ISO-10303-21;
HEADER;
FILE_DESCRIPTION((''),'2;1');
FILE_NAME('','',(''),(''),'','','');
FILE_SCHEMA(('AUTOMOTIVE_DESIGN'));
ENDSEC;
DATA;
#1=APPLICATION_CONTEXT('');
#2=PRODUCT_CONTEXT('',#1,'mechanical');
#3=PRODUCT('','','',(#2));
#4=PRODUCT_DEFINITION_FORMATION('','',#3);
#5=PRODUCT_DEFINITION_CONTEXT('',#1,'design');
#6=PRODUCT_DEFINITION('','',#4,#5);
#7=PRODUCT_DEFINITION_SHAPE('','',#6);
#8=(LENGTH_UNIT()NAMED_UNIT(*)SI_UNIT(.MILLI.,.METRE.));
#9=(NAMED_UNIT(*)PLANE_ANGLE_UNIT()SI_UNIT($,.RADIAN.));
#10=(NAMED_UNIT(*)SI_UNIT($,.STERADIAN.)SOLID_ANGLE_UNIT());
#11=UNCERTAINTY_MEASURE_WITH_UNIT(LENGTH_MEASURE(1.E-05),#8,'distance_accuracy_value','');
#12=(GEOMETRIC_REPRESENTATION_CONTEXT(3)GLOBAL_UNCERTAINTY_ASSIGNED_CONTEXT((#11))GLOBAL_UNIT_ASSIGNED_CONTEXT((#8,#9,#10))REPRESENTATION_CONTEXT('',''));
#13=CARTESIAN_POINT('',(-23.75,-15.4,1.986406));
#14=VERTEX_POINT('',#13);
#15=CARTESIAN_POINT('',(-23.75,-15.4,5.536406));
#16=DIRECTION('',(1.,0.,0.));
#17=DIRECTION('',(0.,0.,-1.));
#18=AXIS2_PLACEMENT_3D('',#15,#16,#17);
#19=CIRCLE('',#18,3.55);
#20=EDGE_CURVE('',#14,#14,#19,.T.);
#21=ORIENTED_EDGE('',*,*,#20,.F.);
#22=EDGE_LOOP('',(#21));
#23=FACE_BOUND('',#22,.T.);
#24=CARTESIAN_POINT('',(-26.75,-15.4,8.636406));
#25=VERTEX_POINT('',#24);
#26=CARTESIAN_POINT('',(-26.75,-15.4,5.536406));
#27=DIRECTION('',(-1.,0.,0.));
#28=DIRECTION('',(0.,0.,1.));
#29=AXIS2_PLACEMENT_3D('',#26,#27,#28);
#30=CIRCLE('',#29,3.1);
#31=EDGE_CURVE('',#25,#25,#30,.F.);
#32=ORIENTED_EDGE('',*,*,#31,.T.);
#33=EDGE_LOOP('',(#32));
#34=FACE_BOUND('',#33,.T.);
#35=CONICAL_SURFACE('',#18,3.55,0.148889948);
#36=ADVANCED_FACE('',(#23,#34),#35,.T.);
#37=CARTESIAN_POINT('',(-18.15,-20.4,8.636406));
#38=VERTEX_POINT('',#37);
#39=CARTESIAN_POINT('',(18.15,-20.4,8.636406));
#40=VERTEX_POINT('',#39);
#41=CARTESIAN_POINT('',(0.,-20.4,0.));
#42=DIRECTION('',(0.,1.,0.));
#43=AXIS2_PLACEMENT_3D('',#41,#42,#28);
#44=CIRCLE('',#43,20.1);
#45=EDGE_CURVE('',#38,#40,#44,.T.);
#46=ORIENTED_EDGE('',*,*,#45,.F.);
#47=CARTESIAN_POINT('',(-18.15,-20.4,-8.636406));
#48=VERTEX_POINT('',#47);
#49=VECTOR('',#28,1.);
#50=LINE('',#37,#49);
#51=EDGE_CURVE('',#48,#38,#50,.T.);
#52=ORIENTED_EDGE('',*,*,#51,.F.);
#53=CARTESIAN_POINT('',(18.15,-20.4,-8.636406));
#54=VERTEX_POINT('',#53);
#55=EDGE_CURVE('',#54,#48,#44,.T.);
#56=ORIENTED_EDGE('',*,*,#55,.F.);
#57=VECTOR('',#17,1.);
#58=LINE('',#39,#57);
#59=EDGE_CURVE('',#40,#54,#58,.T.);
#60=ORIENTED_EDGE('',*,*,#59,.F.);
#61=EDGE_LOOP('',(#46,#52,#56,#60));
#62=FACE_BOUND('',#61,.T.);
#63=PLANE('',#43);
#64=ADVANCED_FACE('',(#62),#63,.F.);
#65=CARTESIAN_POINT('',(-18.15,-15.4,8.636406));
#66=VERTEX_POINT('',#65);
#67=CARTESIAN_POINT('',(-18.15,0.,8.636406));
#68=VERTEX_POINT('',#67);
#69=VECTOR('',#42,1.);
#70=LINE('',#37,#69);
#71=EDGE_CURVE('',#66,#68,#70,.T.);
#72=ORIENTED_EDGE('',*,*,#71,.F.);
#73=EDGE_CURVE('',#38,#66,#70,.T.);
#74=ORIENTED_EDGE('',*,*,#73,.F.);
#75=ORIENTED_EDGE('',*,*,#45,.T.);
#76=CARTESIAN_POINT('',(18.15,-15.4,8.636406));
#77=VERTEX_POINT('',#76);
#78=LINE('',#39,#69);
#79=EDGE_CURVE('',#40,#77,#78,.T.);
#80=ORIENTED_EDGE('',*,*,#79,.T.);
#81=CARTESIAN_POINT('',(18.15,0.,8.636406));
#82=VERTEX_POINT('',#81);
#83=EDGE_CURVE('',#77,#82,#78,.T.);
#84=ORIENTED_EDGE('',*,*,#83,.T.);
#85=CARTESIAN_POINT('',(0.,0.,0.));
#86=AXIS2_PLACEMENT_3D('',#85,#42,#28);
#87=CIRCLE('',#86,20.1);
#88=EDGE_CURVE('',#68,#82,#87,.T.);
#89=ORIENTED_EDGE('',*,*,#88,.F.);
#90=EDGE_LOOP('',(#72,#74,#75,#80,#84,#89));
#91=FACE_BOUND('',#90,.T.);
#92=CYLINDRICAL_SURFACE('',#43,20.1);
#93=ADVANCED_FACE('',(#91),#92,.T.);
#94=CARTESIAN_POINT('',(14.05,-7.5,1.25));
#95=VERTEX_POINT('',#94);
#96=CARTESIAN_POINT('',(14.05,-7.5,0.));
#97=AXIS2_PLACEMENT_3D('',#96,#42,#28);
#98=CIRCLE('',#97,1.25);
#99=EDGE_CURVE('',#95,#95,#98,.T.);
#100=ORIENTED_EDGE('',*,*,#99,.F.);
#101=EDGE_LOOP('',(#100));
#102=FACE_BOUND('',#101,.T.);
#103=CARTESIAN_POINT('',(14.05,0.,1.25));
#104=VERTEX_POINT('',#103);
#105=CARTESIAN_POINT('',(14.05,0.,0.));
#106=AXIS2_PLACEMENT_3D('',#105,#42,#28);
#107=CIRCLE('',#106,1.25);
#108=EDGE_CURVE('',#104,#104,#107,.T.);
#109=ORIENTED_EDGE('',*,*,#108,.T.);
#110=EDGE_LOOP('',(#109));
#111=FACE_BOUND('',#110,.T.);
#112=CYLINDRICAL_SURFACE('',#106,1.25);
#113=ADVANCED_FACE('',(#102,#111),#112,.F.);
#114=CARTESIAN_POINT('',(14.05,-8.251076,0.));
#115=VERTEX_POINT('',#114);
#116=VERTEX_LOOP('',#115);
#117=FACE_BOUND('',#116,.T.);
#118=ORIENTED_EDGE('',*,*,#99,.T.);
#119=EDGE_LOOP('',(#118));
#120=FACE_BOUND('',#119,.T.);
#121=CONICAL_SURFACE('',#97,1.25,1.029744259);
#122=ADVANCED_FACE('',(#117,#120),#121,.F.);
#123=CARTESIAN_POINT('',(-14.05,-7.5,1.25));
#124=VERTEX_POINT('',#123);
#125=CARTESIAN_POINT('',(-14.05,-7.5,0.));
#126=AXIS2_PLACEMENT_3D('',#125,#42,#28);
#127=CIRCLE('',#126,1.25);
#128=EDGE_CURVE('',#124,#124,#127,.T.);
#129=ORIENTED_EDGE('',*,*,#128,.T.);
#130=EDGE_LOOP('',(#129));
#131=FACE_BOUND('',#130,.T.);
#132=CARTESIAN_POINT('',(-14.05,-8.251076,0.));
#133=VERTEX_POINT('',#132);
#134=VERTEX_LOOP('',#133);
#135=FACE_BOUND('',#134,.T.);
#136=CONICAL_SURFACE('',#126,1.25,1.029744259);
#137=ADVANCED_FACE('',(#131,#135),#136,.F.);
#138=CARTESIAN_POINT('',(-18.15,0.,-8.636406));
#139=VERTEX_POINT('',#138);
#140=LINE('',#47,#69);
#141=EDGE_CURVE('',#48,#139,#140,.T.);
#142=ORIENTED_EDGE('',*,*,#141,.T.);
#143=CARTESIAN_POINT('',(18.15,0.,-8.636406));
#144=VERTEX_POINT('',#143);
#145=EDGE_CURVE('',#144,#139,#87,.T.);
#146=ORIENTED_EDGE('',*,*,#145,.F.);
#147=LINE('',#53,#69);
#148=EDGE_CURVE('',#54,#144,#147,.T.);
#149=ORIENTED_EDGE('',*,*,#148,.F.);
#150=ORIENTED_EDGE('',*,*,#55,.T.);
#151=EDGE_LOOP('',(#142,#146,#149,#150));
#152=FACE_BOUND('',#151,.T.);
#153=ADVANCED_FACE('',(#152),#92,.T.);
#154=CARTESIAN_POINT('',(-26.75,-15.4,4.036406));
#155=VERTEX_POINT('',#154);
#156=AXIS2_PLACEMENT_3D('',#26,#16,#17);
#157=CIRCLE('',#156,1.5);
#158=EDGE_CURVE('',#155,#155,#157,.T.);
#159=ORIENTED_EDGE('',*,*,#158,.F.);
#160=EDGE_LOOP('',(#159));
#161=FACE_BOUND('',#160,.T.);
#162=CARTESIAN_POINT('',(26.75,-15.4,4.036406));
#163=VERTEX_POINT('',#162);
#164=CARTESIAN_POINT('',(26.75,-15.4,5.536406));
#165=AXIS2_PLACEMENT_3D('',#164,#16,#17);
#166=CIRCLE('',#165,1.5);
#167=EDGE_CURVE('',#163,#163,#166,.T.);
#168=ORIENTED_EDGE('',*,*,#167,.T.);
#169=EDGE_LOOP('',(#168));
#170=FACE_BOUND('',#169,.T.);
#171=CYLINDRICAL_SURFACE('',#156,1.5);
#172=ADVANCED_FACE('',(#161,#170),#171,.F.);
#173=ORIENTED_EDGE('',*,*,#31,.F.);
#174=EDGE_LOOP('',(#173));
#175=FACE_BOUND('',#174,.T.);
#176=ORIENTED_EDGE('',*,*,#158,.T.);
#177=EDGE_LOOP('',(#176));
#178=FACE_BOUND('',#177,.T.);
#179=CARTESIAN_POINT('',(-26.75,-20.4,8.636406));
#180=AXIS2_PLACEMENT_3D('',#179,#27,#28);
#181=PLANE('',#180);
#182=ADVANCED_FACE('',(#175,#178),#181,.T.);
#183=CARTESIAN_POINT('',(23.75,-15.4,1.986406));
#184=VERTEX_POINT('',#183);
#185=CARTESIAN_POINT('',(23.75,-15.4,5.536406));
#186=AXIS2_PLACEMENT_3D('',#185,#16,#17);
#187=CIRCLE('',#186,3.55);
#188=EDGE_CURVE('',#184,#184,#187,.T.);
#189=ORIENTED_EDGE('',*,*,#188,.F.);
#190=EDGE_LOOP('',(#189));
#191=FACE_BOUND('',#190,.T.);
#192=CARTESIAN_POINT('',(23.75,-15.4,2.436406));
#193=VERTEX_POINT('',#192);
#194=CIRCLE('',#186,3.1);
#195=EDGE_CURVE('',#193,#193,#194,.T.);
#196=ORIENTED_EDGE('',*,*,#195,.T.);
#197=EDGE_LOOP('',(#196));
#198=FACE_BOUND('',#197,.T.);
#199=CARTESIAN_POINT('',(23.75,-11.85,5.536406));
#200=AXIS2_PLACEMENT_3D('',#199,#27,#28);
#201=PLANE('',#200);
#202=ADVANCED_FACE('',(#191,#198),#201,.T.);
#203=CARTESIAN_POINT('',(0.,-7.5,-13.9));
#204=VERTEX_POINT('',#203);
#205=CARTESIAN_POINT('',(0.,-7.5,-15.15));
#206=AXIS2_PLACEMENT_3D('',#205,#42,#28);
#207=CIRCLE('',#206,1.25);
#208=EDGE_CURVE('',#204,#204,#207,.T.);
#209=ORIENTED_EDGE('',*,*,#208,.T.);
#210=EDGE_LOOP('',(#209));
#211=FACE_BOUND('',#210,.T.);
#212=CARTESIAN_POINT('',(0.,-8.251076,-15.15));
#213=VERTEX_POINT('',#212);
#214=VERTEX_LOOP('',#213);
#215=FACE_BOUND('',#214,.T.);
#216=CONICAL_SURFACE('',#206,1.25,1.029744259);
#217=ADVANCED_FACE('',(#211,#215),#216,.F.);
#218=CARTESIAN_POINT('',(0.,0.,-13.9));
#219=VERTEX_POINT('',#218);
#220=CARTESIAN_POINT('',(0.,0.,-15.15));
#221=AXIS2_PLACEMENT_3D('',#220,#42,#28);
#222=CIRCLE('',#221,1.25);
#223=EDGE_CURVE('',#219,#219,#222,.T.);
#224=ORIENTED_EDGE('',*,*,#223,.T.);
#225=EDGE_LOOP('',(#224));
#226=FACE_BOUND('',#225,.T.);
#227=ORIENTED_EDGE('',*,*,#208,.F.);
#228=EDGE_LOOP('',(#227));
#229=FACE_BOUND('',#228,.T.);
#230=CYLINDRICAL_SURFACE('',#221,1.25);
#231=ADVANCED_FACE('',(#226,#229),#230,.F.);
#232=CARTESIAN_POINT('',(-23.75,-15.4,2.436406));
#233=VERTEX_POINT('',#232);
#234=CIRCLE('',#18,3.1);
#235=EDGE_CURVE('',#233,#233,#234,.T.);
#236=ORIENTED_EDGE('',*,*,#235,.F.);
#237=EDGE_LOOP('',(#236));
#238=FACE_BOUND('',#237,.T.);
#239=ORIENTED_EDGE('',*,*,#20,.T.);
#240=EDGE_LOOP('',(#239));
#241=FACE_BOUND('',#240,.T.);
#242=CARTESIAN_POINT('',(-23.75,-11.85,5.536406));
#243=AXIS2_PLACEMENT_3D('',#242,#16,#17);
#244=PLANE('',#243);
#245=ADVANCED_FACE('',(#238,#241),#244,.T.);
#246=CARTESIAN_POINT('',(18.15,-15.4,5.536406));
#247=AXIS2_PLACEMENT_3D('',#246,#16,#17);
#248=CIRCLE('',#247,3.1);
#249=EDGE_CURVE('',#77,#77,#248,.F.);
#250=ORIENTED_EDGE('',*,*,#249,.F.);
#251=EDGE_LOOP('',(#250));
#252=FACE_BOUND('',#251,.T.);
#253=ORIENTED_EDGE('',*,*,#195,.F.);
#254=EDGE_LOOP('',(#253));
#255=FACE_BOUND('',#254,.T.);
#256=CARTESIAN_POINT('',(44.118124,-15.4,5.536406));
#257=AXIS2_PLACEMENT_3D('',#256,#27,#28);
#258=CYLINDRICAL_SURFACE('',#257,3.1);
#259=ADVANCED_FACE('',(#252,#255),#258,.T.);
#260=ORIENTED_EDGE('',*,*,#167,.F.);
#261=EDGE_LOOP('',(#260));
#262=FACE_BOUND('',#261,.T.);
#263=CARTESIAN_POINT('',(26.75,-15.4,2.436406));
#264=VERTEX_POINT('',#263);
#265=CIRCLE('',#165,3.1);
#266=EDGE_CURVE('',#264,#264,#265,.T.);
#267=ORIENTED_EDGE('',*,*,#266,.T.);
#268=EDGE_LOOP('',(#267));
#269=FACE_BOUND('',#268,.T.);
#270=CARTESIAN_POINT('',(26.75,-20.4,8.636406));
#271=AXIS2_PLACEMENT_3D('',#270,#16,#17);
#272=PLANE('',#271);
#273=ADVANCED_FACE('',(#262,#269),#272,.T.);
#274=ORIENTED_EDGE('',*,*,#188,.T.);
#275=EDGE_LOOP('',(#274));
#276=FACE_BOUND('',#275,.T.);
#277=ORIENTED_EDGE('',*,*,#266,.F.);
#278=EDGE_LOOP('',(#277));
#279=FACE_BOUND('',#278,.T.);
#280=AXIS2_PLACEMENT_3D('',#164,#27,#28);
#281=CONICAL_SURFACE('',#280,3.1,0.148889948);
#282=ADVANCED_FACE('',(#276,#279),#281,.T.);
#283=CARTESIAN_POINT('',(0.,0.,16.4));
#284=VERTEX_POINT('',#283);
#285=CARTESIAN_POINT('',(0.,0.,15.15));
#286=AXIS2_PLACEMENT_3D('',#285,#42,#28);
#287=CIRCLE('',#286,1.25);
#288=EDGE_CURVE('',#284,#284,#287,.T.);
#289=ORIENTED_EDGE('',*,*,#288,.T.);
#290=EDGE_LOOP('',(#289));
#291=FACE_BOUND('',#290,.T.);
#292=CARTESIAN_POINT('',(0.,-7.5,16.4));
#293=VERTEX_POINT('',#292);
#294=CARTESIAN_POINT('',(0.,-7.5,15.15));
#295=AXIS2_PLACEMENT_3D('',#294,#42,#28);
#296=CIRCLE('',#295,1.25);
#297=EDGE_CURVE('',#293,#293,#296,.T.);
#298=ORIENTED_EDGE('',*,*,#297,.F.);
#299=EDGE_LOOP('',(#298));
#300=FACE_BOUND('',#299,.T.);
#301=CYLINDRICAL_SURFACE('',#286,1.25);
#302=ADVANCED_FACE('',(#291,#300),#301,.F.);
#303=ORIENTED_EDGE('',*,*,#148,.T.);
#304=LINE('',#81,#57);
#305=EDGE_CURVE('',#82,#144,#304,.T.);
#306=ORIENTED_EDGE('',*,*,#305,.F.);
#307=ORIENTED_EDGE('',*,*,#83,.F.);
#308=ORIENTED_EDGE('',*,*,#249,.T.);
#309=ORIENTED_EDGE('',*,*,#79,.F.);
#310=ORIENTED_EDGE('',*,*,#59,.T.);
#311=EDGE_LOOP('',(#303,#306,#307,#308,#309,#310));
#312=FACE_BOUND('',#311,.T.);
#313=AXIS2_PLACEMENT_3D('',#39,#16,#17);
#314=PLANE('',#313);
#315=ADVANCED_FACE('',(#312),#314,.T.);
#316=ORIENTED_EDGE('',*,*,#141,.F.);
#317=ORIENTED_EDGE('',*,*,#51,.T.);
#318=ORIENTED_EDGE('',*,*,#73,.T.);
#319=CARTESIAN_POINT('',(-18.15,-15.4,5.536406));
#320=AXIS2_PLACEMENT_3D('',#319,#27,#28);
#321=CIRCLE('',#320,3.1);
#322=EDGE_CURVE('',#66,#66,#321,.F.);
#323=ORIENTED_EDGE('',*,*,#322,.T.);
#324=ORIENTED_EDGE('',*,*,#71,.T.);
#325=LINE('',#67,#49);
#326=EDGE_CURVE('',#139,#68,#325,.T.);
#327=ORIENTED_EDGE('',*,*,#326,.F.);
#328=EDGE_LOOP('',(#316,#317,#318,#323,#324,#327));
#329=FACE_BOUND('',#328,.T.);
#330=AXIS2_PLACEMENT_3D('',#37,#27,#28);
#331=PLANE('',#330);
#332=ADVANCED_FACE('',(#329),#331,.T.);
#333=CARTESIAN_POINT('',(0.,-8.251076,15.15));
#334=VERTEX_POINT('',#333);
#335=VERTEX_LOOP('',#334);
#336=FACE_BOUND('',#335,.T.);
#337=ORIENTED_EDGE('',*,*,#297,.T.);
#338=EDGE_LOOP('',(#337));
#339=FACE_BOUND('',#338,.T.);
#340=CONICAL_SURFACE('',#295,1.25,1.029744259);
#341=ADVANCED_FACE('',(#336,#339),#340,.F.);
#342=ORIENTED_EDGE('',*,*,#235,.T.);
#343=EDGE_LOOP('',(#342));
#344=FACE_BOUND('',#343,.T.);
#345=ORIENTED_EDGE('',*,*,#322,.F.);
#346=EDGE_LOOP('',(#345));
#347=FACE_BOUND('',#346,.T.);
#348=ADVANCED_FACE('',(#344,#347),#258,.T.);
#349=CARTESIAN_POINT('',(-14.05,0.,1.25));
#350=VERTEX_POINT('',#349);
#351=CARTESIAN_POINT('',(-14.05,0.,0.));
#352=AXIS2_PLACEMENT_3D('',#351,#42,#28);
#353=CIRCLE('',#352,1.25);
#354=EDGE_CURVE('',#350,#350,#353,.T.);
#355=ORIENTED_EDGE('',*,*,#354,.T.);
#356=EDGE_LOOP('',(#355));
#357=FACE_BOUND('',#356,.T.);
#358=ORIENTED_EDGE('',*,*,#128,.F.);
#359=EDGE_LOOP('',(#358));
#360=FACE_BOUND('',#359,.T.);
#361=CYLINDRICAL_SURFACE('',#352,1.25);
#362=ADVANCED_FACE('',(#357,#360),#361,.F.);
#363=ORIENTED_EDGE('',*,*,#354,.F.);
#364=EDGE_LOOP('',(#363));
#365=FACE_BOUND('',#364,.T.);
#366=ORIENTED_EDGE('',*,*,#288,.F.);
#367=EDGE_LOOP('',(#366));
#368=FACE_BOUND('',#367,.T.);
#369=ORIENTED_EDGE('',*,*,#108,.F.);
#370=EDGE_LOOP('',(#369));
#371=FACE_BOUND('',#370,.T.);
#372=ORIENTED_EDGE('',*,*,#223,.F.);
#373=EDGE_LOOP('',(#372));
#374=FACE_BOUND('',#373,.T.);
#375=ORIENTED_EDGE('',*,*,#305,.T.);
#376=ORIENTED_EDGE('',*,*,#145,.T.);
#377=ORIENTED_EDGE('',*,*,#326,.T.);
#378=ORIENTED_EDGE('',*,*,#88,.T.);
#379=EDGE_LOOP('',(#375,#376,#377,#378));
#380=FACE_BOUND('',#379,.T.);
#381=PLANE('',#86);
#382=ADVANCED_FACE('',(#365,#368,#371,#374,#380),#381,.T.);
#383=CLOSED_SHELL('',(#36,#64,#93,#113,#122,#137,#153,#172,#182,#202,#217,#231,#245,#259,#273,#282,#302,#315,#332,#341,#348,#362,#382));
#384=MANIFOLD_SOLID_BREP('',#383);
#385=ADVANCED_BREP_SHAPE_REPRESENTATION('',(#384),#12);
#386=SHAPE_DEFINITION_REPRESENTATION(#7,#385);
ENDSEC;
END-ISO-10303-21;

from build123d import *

# Parameters (mm, degrees)
BOSS_EXTRUDE1_DEPTH       = 20.4
M3X0_5_TAPPED_HOLE1_D     = 2.5
M3X0_5_TAPPED_HOLE1_DEPTH = 7.5
M3X0_5_TAPPED_HOLE1_TIP   = 0.751075774
BOSS_EXTRUDE3_DEPTH       = 8.6
BOSS_EXTRUDE3_DEPTH_BACK  = 44.9
SKETCH5_R                 = 3.1
SKETCH8_R                 = 1.5
CUT_EXTRUDE1_DEPTH        = 61.682946534


with BuildPart() as part:
    # Sketch1 → Boss-Extrude1 (new body)
    with BuildSketch(Plane(origin=(0, 0, 0), x_dir=(1, 0, 0), z_dir=(0, 1, 0))):
        with BuildLine():
            Line((-18.15, -8.636405502), (-18.15, 8.636405502))
            ThreePointArc((-18.15, 8.636405502), (0, 20.1), (18.15, 8.636405502))
            Line((18.15, 8.636405502), (18.15, -8.636405502))
            ThreePointArc((18.15, -8.636405502), (0, -20.1), (-18.15, -8.636405502))
        make_face()
    extrude(amount=-BOSS_EXTRUDE1_DEPTH)

    # M3x0.5 Tapped Hole1
    with Locations(Plane(origin=(0, 0, 0), x_dir=(1, 0, 0), z_dir=(0, 1, 0))):
        with Locations((0, 15.15), (0, -15.15), (14.05, 0), (-14.05, 0)):
            Hole(M3X0_5_TAPPED_HOLE1_D / 2, depth=M3X0_5_TAPPED_HOLE1_DEPTH)
            with Locations((0, 0, -(M3X0_5_TAPPED_HOLE1_DEPTH + M3X0_5_TAPPED_HOLE1_TIP / 2))):  # 118° drill point
                Cone(0, M3X0_5_TAPPED_HOLE1_D / 2, M3X0_5_TAPPED_HOLE1_TIP, mode=Mode.SUBTRACT)

    # Sketch5 → Boss-Extrude3 (add, two sides: drawn at the far end of the back side and taken through both)
    with BuildSketch(Plane(origin=(18.15, 0, 0), x_dir=(0, 0, -1), z_dir=(1, 0, 0)).offset(-BOSS_EXTRUDE3_DEPTH_BACK)):
        with Locations(Location((-5.536405502, -15.4, 0), (0, 0, 180))):
            Circle(SKETCH5_R)
    extrude(amount=BOSS_EXTRUDE3_DEPTH + BOSS_EXTRUDE3_DEPTH_BACK)

    # Sketch7 → Revolve1 (revolve)
    with BuildSketch(Plane.XY.offset(5.536405502), mode=Mode.PRIVATE) as revolve1_sk:
        Polygon((26.75, -12.3), (23.75, -11.85), (23.75, -12.3), align=None)
        Polygon((-26.75, -12.3), (-23.75, -11.85), (-23.75, -12.3), align=None)
    revolve(revolve1_sk.sketch.rotate(Axis((26.75, -15.4, 5.536405502), (-1, 0, 0)), 270), axis=Axis((26.75, -15.4, 5.536405502), (-1, 0, 0)))

    # Sketch8 → Cut-Extrude1 (cut, through all)
    with BuildSketch(Plane(origin=(26.75, 0, 0), x_dir=(0, 0, -1), z_dir=(1, 0, 0))):
        with Locations((-5.536405502, -15.4)):
            Circle(SKETCH8_R)
    extrude(amount=-CUT_EXTRUDE1_DEPTH, mode=Mode.SUBTRACT)


solid = part.part
